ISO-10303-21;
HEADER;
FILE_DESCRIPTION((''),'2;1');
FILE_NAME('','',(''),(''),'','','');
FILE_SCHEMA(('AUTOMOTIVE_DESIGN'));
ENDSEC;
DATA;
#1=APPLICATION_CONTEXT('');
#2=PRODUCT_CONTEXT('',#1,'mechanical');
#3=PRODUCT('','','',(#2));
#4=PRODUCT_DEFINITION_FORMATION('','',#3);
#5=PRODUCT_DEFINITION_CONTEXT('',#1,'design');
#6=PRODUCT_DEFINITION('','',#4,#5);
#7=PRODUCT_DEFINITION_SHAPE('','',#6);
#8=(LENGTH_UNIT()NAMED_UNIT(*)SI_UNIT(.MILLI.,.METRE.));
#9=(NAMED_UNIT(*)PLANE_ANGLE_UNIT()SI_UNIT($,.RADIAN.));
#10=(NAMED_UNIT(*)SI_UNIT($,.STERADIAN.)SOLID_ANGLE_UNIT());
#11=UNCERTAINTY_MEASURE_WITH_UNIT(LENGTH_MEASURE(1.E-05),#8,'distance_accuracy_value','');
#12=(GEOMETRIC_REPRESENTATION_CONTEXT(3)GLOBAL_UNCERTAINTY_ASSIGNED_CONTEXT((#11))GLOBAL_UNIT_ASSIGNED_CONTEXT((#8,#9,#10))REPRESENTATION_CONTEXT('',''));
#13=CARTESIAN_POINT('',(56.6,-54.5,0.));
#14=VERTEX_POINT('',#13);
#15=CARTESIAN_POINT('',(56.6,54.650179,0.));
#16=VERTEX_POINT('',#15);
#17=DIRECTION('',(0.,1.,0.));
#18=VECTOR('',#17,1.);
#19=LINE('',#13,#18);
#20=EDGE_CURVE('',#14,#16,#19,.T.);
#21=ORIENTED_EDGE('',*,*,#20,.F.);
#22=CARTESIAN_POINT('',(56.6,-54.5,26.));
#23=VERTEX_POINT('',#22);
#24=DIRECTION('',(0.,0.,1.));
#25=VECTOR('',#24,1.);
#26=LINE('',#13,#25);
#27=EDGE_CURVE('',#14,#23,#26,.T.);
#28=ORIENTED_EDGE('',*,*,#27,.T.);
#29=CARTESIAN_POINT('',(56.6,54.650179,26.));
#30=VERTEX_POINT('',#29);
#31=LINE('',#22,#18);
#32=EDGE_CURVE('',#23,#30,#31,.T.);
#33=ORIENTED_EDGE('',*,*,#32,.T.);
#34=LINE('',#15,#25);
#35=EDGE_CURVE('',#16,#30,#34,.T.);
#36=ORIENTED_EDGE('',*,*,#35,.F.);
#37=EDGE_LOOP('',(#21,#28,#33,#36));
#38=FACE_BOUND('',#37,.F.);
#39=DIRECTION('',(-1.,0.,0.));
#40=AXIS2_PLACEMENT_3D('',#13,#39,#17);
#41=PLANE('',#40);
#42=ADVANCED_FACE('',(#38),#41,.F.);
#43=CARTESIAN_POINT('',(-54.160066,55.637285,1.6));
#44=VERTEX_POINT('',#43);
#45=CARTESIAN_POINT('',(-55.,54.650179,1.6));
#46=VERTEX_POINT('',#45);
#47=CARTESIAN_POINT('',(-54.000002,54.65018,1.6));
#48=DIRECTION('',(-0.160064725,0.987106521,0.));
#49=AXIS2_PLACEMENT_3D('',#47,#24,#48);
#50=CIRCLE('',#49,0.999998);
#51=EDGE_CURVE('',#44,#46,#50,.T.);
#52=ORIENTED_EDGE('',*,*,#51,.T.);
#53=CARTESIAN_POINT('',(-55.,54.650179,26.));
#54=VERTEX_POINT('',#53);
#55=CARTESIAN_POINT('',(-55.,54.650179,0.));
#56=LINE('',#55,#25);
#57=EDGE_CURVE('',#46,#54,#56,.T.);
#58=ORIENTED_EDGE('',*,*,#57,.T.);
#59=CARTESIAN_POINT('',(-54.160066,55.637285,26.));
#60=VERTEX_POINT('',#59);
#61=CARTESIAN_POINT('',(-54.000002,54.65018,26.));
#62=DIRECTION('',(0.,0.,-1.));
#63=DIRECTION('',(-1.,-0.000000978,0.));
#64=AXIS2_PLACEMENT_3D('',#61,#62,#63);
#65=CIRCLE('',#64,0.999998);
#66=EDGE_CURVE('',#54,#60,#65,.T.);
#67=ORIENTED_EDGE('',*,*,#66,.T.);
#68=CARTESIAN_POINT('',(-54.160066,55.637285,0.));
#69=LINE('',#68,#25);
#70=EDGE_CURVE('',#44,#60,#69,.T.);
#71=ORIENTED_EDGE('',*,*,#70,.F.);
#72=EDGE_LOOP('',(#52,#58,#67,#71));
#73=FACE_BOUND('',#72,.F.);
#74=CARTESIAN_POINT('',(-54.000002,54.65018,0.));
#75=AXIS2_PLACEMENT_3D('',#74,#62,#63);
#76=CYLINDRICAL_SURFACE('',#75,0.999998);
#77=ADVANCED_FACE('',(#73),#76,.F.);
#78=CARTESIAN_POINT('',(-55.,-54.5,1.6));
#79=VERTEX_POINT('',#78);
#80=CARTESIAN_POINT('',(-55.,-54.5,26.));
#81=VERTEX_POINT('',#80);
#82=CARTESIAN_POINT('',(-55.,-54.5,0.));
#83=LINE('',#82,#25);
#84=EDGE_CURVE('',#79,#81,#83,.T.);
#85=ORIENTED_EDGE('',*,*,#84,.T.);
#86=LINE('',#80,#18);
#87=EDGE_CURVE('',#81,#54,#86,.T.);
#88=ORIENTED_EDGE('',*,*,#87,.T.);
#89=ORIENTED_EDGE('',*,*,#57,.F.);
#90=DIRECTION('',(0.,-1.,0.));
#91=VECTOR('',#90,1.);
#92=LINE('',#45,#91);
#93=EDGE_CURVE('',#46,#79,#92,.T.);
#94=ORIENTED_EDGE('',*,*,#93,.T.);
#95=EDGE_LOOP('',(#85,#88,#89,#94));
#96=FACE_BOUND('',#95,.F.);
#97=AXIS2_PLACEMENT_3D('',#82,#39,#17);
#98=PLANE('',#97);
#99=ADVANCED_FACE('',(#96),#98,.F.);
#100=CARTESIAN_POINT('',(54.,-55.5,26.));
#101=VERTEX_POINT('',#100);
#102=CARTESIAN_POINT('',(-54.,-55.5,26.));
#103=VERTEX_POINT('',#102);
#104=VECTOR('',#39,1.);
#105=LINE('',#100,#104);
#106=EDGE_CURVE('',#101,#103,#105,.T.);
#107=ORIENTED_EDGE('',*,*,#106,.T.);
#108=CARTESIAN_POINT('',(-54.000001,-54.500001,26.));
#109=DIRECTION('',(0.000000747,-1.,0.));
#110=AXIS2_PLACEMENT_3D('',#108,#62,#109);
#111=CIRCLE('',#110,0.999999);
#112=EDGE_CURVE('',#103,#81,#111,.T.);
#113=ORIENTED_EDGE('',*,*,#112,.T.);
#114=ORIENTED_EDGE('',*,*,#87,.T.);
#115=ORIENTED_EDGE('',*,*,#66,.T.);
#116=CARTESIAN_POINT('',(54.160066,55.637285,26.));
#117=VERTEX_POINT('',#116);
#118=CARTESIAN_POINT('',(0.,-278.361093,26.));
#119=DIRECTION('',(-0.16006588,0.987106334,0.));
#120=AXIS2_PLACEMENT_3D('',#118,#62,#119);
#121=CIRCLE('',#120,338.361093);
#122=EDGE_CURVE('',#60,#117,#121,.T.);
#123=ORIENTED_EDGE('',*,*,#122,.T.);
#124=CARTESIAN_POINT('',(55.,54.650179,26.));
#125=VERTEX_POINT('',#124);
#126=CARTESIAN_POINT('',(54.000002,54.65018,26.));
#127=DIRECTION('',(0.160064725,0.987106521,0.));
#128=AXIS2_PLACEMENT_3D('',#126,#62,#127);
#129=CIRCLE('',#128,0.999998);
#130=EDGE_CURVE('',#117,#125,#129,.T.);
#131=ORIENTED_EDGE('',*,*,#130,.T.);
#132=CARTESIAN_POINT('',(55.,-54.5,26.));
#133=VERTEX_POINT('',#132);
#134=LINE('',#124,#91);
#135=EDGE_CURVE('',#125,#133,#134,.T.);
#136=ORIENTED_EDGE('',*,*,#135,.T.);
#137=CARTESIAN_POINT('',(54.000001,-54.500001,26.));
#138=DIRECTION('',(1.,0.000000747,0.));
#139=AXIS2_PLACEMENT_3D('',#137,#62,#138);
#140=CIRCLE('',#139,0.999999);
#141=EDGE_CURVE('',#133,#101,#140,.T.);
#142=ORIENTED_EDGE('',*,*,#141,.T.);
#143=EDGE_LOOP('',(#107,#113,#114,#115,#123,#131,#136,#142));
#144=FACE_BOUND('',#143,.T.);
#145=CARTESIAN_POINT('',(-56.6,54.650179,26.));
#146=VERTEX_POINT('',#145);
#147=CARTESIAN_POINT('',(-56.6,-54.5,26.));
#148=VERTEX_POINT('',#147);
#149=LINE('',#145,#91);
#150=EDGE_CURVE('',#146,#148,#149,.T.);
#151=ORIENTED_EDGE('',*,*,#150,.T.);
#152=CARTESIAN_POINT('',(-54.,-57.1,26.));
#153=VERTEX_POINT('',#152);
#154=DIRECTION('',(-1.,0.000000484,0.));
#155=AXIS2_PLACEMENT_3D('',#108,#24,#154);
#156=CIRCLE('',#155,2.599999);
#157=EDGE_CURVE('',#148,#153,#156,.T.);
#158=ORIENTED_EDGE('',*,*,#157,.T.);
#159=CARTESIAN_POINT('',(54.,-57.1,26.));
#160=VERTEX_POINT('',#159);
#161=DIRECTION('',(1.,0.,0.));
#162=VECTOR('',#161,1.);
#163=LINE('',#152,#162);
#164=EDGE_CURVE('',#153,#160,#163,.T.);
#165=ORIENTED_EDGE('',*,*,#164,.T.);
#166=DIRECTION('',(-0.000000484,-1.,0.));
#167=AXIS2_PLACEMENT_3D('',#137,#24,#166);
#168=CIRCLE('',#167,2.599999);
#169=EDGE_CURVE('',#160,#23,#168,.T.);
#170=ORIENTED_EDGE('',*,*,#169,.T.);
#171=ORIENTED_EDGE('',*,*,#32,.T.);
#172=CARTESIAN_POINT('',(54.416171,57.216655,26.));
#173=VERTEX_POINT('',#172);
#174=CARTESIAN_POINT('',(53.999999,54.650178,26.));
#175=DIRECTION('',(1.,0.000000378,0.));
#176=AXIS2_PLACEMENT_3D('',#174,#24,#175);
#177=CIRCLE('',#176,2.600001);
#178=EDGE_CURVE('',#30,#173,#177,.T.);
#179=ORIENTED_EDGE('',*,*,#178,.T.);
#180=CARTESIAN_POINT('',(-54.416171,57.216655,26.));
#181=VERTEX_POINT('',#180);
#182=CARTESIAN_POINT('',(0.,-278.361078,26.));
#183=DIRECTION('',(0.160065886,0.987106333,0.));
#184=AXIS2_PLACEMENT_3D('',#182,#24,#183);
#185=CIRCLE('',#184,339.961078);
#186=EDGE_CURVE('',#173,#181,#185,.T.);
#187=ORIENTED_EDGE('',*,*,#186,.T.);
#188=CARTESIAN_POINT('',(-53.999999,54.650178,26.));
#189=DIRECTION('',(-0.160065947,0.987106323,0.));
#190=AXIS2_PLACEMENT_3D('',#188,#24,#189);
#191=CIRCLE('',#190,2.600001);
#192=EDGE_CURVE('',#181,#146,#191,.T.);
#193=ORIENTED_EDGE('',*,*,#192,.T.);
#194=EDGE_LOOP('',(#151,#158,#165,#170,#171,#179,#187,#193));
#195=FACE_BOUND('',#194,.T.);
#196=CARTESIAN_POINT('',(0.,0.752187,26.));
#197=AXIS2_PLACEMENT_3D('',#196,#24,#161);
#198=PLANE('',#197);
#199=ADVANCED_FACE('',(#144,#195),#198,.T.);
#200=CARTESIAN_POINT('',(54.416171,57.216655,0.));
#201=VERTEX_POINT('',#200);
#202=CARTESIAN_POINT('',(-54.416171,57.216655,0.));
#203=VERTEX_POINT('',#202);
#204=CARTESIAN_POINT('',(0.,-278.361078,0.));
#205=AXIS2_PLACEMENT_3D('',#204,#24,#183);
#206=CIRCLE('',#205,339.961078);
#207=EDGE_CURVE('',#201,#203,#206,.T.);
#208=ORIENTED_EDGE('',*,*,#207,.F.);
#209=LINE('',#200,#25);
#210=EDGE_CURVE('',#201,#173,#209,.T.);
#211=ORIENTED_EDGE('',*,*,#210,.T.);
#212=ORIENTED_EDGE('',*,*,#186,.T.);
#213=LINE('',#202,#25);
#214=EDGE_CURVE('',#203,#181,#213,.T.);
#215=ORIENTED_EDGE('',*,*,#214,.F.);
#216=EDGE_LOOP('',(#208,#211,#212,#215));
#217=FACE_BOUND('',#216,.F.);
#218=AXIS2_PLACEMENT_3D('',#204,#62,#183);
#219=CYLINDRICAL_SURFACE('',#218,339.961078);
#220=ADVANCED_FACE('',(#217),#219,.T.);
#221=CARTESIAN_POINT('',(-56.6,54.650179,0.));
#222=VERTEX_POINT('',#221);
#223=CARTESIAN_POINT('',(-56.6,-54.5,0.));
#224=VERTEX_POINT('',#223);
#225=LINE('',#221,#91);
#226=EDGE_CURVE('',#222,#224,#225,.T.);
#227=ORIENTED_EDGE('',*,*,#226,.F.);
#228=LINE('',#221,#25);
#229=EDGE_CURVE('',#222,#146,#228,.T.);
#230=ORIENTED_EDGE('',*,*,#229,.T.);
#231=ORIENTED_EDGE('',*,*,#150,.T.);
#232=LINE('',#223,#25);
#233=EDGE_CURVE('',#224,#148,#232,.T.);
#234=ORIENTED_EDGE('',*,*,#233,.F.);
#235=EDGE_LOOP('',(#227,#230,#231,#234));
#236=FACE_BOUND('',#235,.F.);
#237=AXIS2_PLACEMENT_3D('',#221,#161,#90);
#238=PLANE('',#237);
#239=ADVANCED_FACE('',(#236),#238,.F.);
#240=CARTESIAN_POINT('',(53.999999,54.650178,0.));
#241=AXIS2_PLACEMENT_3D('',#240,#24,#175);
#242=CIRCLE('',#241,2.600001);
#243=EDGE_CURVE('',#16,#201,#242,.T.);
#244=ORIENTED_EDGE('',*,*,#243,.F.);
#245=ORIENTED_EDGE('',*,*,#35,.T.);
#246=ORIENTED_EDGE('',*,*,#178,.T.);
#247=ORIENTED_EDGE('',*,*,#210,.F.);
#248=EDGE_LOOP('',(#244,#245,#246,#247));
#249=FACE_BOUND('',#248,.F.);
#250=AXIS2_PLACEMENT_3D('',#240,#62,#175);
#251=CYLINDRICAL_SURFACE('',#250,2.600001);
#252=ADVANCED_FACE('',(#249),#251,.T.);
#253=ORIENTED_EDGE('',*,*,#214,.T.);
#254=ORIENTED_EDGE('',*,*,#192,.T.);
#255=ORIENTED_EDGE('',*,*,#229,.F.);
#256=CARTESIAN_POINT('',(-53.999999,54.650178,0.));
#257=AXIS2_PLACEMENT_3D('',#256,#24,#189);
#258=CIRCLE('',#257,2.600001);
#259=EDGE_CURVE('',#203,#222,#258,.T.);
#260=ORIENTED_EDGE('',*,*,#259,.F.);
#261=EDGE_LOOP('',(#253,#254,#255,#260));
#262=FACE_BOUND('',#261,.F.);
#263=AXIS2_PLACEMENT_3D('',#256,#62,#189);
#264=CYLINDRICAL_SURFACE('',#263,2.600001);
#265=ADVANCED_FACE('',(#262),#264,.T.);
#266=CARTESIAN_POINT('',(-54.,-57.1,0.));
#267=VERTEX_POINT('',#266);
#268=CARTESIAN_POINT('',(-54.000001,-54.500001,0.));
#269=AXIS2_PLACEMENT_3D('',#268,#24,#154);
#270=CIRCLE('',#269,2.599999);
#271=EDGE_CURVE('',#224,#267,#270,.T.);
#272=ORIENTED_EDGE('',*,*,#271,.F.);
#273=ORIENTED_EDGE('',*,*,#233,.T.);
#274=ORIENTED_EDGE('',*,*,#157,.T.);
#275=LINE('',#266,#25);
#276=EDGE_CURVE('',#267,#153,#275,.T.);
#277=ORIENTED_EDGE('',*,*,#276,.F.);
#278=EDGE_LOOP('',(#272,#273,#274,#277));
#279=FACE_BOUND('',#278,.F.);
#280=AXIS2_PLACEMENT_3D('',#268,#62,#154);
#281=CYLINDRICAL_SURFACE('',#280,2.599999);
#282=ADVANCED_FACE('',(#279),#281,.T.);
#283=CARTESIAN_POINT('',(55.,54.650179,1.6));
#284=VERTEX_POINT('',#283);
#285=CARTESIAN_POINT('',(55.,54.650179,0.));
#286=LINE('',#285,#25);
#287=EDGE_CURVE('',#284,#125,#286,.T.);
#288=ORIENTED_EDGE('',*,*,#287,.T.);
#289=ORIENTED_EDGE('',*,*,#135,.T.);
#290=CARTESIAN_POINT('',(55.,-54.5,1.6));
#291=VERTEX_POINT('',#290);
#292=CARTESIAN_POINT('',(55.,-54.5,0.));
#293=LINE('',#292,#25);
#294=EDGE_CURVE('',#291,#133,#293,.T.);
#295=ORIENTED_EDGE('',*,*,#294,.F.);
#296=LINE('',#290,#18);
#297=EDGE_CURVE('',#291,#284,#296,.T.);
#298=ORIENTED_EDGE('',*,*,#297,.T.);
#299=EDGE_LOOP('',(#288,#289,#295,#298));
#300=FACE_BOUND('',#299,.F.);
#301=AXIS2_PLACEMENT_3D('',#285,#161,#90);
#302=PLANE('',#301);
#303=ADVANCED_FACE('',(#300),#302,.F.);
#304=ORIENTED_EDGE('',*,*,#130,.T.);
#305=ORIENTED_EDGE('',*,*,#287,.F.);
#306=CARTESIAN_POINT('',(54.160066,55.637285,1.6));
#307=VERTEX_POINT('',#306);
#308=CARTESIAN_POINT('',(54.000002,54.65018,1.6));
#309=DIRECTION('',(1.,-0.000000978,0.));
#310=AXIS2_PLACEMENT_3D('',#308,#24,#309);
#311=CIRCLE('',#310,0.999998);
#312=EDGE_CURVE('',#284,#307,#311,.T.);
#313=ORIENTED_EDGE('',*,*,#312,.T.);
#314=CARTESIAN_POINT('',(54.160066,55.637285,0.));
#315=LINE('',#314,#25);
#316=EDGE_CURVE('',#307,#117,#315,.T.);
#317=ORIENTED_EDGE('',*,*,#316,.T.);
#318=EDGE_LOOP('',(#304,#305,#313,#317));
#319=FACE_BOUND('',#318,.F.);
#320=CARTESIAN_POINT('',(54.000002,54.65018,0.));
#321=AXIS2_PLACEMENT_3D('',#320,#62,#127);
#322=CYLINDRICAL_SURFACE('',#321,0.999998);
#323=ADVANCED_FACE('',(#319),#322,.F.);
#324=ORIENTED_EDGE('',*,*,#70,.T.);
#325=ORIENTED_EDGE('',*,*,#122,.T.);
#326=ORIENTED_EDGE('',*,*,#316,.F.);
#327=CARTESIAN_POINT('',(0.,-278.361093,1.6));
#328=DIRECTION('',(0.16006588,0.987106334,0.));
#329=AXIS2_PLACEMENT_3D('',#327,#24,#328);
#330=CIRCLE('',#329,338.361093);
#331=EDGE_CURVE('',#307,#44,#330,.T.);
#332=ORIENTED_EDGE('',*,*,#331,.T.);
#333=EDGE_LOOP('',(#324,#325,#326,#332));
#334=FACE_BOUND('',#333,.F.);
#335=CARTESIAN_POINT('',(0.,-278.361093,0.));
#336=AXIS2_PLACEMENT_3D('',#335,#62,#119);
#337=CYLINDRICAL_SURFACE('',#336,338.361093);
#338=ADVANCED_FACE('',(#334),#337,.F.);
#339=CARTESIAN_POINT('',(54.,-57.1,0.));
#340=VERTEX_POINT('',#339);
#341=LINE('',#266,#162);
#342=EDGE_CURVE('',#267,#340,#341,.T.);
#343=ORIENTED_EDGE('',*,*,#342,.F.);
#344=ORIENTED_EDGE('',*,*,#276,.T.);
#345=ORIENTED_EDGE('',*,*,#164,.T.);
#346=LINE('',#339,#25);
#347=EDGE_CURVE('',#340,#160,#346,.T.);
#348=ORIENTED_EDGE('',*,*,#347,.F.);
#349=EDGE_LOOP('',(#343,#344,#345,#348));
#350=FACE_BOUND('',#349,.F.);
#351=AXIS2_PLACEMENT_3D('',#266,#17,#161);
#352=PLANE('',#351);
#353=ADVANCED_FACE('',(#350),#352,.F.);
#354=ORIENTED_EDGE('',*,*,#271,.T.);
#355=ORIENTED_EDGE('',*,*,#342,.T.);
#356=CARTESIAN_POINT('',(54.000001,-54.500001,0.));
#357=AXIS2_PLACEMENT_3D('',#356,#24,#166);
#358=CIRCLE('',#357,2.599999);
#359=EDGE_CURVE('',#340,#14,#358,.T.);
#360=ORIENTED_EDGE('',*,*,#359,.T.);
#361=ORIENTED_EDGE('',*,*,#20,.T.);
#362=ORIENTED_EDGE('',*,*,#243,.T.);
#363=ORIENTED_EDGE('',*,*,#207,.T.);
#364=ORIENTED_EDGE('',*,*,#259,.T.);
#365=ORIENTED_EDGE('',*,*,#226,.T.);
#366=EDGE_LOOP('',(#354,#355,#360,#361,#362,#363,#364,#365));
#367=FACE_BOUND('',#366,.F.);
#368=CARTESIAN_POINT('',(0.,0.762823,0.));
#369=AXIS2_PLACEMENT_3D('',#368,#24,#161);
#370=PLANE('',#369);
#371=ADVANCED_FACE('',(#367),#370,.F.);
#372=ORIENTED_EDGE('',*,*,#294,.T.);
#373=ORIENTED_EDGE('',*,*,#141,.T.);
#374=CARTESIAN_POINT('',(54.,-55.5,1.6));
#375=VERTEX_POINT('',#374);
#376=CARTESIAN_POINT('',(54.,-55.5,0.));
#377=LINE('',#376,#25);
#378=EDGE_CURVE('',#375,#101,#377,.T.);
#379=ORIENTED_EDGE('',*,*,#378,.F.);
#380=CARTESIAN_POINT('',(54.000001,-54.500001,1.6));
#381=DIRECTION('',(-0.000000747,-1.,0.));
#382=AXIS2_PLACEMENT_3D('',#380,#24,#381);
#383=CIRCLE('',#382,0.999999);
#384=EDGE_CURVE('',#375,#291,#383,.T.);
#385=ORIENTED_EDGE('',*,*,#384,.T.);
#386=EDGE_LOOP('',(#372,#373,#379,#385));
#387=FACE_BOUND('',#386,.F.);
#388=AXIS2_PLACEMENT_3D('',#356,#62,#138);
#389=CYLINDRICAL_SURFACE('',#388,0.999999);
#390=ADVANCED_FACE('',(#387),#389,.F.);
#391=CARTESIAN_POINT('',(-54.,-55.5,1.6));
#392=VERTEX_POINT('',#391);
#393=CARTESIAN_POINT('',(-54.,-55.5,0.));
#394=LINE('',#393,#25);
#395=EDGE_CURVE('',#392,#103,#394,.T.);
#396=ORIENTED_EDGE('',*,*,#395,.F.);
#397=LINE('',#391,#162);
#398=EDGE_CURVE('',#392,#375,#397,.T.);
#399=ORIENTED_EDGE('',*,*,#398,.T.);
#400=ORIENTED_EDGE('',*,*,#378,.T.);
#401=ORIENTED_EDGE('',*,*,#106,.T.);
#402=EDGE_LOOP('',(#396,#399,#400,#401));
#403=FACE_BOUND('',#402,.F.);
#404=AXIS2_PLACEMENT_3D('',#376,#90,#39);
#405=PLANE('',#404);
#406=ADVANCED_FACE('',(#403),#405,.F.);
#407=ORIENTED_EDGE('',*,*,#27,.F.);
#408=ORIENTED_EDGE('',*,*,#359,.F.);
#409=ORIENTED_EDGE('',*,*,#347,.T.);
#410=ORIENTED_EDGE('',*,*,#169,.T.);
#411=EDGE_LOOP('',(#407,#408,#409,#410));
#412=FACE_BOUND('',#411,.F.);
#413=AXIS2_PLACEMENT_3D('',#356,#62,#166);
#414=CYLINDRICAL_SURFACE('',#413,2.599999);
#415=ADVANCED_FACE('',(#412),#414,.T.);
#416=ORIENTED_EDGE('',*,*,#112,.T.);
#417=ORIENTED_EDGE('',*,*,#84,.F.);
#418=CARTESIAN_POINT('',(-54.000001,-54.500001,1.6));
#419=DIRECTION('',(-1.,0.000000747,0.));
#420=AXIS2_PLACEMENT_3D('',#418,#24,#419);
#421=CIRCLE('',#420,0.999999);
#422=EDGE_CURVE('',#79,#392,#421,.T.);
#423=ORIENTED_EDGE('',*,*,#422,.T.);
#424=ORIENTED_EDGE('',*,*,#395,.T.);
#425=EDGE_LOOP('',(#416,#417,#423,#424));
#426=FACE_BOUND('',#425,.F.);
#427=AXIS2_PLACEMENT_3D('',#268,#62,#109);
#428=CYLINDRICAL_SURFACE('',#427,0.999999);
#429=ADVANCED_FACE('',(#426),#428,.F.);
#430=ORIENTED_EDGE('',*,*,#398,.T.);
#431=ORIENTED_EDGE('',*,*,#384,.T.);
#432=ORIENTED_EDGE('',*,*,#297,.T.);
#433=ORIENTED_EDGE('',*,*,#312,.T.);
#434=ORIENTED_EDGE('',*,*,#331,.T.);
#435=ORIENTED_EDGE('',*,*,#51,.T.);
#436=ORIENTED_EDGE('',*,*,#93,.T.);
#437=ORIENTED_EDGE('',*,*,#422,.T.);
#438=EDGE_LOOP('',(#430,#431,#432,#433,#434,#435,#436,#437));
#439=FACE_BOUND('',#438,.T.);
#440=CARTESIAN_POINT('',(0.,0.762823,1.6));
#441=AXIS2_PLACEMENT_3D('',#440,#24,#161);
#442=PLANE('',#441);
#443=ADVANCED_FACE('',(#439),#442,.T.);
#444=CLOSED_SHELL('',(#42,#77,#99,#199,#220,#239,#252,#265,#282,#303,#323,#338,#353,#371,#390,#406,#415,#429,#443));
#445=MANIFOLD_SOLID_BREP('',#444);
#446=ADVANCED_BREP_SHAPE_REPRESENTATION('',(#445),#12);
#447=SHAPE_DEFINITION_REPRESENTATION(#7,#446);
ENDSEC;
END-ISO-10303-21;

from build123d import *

# Parameters (mm, degrees)
F1_DEPTH = 26
F2_DEPTH = 1.6


with BuildPart() as f1:
    # F0 (on Top) → F1 (new body)
    with BuildSketch(Plane.XY):
        with BuildLine():
            ThreePointArc((54.416171, 57.216655), (0, 61.6), (-54.416171, 57.216655))
            ThreePointArc((-54.416171, 57.216655), (-55.980157, 56.335105), (-56.6, 54.650179))
            Line((-56.6, 54.650179), (-56.6, -54.5))
            ThreePointArc((-56.6, -54.5), (-55.838478, -56.338478), (-54, -57.1))
            Line((-54, -57.1), (54, -57.1))
            ThreePointArc((54, -57.1), (55.838478, -56.338478), (56.6, -54.5))
            Line((56.6, -54.5), (56.6, 54.650179))
            ThreePointArc((56.6, 54.650179), (55.980157, 56.335105), (54.416171, 57.216655))
        make_face()
        with BuildLine():
            Line((54, -55.5), (-54, -55.5))
            ThreePointArc((-54, -55.5), (-54.707107, -55.207107), (-55, -54.5))
            Line((-55, -54.5), (-55, 54.650179))
            ThreePointArc((-55, 54.650179), (-54.761599, 55.298228), (-54.160066, 55.637285))
            ThreePointArc((-54.160066, 55.637285), (0, 60), (54.160066, 55.637285))
            ThreePointArc((54.160066, 55.637285), (54.761599, 55.298228), (55, 54.650179))
            Line((55, 54.650179), (55, -54.5))
            ThreePointArc((55, -54.5), (54.707107, -55.207107), (54, -55.5))
        make_face(mode=Mode.SUBTRACT)
    extrude(amount=F1_DEPTH)

    # F0 (on Top) → F2 (join)
    with BuildSketch(Plane.XY):
        with BuildLine():
            ThreePointArc((-55, -54.5), (-54.707107, -55.207107), (-54, -55.5))
            Line((-54, -55.5), (54, -55.5))
            ThreePointArc((54, -55.5), (54.707107, -55.207107), (55, -54.5))
            Line((55, -54.5), (55, 54.650179))
            ThreePointArc((55, 54.650179), (54.761599, 55.298228), (54.160066, 55.637285))
            ThreePointArc((54.160066, 55.637285), (0, 60), (-54.160066, 55.637285))
            ThreePointArc((-54.160066, 55.637285), (-54.761599, 55.298228), (-55, 54.650179))
            Line((-55, 54.650179), (-55, -54.5))
        make_face()
    extrude(amount=F2_DEPTH)


solid = f1.part
